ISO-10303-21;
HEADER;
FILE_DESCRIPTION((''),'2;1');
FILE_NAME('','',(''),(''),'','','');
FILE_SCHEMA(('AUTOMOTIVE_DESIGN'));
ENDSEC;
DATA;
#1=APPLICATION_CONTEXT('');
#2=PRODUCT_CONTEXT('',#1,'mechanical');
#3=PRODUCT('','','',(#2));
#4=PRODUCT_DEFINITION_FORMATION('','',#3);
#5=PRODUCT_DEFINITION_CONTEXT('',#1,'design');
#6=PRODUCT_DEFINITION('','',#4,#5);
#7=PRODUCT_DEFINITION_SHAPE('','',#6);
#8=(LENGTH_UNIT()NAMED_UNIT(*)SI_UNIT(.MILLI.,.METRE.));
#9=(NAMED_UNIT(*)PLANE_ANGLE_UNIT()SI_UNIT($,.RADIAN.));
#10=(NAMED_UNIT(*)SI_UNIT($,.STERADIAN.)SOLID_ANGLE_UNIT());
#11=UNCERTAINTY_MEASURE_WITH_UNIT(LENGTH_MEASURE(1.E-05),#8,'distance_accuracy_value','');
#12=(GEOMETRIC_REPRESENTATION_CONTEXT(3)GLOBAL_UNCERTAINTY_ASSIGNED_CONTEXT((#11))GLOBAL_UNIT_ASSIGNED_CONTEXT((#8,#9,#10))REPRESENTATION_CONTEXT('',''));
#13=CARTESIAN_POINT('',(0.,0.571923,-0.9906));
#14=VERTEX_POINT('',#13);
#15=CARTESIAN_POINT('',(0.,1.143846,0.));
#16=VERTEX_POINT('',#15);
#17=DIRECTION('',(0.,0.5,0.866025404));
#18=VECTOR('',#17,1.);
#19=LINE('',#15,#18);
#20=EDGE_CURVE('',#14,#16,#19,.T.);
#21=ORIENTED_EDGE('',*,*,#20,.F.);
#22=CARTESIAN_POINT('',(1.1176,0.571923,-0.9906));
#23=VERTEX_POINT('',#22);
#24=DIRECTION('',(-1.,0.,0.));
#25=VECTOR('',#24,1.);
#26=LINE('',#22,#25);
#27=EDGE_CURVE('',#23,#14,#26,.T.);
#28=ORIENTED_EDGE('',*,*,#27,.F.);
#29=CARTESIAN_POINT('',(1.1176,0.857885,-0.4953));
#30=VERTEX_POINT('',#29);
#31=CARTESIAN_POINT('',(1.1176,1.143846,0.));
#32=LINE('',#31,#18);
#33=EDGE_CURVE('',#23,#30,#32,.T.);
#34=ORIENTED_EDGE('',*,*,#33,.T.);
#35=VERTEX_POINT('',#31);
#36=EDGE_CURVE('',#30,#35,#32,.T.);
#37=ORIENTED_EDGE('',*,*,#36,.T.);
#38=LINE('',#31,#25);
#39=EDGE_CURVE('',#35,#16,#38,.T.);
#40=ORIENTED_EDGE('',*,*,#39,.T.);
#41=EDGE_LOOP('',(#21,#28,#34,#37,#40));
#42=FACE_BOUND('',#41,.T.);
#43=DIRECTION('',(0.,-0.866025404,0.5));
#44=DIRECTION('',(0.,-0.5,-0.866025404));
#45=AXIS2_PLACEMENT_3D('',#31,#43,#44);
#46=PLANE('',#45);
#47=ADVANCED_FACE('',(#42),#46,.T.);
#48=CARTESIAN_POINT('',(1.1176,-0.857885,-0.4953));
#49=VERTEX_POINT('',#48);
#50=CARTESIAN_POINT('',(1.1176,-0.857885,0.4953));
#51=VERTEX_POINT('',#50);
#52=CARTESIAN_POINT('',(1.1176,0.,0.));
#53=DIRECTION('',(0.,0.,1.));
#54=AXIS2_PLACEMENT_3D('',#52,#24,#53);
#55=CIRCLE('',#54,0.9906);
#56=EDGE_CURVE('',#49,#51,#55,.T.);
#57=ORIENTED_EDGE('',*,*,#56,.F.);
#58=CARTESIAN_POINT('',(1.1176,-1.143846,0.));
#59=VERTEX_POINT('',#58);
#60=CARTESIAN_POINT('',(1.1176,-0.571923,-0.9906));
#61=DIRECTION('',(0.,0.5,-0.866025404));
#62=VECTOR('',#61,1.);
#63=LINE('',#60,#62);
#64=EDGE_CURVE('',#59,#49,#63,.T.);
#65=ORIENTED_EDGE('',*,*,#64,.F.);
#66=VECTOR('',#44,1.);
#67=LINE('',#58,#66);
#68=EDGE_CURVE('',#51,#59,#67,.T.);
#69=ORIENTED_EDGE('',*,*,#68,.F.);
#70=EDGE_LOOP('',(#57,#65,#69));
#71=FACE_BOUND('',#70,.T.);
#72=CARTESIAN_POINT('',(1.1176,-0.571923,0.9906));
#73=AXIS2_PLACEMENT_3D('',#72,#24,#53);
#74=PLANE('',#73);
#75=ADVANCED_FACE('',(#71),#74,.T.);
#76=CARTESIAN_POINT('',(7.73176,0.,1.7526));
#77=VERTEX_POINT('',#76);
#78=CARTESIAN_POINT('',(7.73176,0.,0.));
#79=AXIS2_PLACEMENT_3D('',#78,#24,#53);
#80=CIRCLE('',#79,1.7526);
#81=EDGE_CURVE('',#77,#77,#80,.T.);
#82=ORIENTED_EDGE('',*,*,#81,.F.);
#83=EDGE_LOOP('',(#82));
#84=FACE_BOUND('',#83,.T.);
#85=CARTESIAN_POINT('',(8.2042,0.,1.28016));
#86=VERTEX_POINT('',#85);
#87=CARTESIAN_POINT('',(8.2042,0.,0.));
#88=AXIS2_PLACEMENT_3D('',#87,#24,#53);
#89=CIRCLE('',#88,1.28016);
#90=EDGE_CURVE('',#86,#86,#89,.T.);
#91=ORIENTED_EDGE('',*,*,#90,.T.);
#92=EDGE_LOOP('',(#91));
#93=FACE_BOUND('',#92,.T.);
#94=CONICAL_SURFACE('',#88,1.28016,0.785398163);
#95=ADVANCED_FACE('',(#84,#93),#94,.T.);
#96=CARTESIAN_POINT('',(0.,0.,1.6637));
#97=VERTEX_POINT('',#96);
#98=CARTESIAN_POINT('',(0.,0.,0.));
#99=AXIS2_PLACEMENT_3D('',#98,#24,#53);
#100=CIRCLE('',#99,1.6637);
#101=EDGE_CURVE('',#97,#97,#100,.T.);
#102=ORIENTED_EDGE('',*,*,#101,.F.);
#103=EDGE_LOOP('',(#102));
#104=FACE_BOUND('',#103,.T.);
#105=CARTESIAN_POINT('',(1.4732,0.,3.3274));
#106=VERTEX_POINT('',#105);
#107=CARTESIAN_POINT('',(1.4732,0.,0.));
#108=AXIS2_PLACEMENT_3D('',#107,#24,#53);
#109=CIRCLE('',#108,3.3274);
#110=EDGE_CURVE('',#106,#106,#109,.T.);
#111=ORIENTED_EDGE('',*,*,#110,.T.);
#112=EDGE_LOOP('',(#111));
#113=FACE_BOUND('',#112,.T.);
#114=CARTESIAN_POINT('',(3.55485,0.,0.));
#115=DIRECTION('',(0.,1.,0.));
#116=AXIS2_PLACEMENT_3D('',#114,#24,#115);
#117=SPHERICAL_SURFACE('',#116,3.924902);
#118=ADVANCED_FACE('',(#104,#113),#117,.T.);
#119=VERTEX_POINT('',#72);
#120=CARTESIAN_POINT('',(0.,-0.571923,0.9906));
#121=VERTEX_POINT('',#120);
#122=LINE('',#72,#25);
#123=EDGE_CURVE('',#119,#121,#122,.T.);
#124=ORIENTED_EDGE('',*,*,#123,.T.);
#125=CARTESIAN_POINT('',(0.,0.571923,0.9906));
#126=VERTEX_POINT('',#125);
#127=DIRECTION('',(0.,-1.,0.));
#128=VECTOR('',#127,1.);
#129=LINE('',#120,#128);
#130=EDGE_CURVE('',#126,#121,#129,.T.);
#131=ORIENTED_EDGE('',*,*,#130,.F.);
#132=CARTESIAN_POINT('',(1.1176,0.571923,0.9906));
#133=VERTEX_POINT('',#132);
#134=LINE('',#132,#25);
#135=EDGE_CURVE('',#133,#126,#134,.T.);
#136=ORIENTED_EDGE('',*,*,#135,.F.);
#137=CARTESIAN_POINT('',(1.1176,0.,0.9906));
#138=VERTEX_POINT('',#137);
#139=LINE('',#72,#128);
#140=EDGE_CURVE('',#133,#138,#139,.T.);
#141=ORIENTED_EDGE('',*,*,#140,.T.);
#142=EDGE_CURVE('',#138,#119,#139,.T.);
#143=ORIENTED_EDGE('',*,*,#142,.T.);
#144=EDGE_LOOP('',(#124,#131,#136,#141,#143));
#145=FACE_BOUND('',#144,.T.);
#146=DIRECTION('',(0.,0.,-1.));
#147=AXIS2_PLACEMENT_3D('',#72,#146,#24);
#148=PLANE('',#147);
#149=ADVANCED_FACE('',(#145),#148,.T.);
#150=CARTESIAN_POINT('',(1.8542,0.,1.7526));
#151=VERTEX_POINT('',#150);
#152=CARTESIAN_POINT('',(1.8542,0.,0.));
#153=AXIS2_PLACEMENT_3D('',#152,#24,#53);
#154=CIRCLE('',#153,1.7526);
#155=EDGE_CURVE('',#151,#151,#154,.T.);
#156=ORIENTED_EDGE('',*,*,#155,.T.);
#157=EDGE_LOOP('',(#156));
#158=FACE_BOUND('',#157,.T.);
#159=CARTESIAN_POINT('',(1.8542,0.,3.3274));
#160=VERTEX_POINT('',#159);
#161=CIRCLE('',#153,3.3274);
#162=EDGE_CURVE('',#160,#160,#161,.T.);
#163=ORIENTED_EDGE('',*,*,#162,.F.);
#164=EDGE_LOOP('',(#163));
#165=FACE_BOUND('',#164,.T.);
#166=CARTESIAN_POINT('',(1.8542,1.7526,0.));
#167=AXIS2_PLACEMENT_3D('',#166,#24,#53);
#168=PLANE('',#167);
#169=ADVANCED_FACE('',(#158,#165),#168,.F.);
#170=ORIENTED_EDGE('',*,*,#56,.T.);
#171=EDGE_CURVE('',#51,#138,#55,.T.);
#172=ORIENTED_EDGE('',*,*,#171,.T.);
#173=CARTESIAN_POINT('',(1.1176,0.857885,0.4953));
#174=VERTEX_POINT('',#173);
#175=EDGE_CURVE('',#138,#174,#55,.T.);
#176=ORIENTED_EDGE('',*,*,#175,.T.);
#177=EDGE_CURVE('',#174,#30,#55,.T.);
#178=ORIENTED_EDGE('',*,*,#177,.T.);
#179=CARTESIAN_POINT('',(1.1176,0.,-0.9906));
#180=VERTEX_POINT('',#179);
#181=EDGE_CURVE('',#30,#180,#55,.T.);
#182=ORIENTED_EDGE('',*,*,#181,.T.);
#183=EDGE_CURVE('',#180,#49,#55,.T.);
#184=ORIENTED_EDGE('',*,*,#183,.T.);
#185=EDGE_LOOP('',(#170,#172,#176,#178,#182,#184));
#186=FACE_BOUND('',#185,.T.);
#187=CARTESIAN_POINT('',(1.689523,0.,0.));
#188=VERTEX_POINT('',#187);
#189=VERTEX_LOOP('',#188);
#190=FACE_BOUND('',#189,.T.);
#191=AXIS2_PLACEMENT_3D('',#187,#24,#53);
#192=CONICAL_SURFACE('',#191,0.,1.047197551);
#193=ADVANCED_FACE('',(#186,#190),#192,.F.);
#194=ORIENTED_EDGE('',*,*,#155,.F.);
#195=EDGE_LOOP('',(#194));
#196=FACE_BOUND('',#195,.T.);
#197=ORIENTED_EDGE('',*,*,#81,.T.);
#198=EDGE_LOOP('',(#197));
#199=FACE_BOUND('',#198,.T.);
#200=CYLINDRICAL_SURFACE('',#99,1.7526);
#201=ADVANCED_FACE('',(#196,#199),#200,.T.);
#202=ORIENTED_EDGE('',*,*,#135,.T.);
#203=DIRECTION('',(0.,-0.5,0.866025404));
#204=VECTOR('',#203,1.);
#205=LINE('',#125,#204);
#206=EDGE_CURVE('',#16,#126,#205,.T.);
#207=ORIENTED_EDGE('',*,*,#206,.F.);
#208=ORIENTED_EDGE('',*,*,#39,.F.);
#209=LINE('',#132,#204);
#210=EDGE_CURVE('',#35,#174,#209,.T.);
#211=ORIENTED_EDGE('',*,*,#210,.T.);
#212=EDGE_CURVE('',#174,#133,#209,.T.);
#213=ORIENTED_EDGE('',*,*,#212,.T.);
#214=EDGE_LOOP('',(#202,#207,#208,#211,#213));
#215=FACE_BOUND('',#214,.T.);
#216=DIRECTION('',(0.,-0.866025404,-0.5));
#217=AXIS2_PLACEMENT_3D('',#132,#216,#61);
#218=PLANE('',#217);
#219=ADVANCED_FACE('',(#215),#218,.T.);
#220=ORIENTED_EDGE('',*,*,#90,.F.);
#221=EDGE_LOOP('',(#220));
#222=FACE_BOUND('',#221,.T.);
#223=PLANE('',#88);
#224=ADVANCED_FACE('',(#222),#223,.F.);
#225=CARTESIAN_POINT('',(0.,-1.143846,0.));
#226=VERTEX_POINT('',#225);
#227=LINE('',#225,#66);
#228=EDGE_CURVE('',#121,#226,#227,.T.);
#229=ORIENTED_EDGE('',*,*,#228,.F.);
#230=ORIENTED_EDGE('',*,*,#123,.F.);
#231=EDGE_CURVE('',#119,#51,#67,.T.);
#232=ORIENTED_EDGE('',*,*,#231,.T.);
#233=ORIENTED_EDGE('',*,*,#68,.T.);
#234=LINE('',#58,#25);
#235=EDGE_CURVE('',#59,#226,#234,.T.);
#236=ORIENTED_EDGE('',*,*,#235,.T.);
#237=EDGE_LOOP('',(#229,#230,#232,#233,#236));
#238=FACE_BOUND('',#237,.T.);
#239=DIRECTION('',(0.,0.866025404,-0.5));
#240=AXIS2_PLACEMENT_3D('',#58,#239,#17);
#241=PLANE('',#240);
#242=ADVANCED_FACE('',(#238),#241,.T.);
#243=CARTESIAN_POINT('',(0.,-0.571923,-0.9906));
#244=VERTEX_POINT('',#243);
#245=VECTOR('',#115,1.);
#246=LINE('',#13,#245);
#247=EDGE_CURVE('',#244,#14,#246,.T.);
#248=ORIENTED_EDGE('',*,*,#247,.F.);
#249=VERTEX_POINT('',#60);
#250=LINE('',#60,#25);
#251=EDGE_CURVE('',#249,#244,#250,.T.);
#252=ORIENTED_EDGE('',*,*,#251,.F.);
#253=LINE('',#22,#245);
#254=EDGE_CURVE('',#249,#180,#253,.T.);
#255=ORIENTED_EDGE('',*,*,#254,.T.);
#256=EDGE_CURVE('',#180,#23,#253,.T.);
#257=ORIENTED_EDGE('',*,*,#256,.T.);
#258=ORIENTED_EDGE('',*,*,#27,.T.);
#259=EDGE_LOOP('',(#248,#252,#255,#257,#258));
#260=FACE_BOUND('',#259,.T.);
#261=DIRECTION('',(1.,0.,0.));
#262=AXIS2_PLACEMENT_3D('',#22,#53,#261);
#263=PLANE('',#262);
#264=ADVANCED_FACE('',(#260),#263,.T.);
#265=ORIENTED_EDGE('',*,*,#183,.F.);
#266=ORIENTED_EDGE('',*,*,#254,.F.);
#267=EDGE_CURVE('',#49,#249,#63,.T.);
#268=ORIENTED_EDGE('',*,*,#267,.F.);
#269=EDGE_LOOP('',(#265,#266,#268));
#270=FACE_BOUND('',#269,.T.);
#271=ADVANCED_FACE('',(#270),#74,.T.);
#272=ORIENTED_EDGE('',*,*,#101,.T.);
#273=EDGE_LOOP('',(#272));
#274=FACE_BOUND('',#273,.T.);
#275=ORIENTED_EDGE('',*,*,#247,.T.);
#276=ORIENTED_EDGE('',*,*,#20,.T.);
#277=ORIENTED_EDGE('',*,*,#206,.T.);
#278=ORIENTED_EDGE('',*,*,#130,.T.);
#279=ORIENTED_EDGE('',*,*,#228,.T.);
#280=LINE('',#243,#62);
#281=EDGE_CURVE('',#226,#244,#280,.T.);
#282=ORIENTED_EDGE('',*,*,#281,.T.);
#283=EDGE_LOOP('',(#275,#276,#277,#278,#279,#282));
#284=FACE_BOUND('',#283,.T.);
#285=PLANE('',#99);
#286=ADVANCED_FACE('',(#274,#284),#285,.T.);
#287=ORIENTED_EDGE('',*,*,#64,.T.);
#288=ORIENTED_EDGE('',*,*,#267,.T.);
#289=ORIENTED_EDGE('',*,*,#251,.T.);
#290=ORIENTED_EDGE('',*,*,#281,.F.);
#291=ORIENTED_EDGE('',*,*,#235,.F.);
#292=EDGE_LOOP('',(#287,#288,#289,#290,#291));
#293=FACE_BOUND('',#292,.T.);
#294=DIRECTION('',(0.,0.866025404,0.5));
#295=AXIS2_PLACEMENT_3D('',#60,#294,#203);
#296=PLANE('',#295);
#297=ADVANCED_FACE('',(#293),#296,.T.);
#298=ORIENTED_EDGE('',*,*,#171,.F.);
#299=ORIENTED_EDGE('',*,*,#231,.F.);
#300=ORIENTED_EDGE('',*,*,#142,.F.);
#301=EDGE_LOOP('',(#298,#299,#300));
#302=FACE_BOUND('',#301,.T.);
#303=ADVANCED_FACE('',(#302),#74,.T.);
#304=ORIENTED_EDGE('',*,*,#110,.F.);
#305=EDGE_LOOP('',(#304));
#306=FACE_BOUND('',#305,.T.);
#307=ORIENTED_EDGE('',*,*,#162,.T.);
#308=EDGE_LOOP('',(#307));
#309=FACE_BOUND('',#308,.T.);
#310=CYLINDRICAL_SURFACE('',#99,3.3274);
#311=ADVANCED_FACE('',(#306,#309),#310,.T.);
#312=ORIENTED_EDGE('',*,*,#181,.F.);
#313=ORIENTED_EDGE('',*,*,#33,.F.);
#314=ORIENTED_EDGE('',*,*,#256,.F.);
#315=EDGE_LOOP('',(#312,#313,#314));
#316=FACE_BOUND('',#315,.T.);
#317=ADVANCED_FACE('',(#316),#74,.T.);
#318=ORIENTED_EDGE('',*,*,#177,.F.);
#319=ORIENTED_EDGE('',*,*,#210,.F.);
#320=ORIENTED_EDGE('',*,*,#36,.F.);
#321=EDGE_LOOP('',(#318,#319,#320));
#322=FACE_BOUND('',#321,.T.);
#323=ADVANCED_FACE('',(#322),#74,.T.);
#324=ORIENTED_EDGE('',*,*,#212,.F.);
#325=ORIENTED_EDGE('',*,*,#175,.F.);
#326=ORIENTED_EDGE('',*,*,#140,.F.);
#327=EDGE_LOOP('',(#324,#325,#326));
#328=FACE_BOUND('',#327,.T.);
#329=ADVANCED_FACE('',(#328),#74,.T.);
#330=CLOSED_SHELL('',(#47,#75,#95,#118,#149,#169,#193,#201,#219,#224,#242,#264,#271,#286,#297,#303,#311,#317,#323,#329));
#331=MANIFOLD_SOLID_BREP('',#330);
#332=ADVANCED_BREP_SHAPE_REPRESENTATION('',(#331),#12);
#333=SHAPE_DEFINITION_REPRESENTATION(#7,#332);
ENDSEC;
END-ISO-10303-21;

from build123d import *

# Parameters (mm, degrees)
HEX_2_DEPTH = 1.1176


with BuildPart() as part:
    # BodySke → BaseBody (revolve)
    with BuildSketch(Plane.XY):
        with BuildLine():
            Line((8.2042, 0), (8.2042, 1.28016))
            Line((8.2042, 1.28016), (7.73176, 1.7526))
            Line((7.73176, 1.7526), (1.8542, 1.7526))
            Line((1.8542, 1.7526), (1.8542, 3.3274))
            Line((1.8542, 3.3274), (1.4732, 3.3274))
            ThreePointArc((1.4732, 3.3274), (0.616396771, 2.601989501), (0, 1.6637))
            Line((0, 1.6637), (0, 0))
            Line((0, 0), (8.2042, 0))
        make_face()
    revolve(axis=Axis((0, 0, 0), (1, 0, 0)))

    # Sketch2 → PreBroach (revolve, cut)
    with BuildSketch(Plane.XY):
        Polygon((0, 0.9906), (1.1176, 0.9906), (1.689523177, 0), (0, 0), align=None)
    revolve(axis=Axis((0, 0, 0), (1, 0, 0)), mode=Mode.SUBTRACT)

    # Sketch3 → Hex 2 (cut)
    with BuildSketch(Plane(origin=(0, 0, 0), x_dir=(0, 0, -1), z_dir=(1, 0, 0))):
        Polygon((-0.9906, -0.571923177), (-0.9906, 0.571923177), (0, 1.143846353), (0.9906, 0.571923177), (0.9906, -0.571923177), (0, -1.143846353), align=None)
    extrude(amount=HEX_2_DEPTH, mode=Mode.SUBTRACT)


solid = part.part
